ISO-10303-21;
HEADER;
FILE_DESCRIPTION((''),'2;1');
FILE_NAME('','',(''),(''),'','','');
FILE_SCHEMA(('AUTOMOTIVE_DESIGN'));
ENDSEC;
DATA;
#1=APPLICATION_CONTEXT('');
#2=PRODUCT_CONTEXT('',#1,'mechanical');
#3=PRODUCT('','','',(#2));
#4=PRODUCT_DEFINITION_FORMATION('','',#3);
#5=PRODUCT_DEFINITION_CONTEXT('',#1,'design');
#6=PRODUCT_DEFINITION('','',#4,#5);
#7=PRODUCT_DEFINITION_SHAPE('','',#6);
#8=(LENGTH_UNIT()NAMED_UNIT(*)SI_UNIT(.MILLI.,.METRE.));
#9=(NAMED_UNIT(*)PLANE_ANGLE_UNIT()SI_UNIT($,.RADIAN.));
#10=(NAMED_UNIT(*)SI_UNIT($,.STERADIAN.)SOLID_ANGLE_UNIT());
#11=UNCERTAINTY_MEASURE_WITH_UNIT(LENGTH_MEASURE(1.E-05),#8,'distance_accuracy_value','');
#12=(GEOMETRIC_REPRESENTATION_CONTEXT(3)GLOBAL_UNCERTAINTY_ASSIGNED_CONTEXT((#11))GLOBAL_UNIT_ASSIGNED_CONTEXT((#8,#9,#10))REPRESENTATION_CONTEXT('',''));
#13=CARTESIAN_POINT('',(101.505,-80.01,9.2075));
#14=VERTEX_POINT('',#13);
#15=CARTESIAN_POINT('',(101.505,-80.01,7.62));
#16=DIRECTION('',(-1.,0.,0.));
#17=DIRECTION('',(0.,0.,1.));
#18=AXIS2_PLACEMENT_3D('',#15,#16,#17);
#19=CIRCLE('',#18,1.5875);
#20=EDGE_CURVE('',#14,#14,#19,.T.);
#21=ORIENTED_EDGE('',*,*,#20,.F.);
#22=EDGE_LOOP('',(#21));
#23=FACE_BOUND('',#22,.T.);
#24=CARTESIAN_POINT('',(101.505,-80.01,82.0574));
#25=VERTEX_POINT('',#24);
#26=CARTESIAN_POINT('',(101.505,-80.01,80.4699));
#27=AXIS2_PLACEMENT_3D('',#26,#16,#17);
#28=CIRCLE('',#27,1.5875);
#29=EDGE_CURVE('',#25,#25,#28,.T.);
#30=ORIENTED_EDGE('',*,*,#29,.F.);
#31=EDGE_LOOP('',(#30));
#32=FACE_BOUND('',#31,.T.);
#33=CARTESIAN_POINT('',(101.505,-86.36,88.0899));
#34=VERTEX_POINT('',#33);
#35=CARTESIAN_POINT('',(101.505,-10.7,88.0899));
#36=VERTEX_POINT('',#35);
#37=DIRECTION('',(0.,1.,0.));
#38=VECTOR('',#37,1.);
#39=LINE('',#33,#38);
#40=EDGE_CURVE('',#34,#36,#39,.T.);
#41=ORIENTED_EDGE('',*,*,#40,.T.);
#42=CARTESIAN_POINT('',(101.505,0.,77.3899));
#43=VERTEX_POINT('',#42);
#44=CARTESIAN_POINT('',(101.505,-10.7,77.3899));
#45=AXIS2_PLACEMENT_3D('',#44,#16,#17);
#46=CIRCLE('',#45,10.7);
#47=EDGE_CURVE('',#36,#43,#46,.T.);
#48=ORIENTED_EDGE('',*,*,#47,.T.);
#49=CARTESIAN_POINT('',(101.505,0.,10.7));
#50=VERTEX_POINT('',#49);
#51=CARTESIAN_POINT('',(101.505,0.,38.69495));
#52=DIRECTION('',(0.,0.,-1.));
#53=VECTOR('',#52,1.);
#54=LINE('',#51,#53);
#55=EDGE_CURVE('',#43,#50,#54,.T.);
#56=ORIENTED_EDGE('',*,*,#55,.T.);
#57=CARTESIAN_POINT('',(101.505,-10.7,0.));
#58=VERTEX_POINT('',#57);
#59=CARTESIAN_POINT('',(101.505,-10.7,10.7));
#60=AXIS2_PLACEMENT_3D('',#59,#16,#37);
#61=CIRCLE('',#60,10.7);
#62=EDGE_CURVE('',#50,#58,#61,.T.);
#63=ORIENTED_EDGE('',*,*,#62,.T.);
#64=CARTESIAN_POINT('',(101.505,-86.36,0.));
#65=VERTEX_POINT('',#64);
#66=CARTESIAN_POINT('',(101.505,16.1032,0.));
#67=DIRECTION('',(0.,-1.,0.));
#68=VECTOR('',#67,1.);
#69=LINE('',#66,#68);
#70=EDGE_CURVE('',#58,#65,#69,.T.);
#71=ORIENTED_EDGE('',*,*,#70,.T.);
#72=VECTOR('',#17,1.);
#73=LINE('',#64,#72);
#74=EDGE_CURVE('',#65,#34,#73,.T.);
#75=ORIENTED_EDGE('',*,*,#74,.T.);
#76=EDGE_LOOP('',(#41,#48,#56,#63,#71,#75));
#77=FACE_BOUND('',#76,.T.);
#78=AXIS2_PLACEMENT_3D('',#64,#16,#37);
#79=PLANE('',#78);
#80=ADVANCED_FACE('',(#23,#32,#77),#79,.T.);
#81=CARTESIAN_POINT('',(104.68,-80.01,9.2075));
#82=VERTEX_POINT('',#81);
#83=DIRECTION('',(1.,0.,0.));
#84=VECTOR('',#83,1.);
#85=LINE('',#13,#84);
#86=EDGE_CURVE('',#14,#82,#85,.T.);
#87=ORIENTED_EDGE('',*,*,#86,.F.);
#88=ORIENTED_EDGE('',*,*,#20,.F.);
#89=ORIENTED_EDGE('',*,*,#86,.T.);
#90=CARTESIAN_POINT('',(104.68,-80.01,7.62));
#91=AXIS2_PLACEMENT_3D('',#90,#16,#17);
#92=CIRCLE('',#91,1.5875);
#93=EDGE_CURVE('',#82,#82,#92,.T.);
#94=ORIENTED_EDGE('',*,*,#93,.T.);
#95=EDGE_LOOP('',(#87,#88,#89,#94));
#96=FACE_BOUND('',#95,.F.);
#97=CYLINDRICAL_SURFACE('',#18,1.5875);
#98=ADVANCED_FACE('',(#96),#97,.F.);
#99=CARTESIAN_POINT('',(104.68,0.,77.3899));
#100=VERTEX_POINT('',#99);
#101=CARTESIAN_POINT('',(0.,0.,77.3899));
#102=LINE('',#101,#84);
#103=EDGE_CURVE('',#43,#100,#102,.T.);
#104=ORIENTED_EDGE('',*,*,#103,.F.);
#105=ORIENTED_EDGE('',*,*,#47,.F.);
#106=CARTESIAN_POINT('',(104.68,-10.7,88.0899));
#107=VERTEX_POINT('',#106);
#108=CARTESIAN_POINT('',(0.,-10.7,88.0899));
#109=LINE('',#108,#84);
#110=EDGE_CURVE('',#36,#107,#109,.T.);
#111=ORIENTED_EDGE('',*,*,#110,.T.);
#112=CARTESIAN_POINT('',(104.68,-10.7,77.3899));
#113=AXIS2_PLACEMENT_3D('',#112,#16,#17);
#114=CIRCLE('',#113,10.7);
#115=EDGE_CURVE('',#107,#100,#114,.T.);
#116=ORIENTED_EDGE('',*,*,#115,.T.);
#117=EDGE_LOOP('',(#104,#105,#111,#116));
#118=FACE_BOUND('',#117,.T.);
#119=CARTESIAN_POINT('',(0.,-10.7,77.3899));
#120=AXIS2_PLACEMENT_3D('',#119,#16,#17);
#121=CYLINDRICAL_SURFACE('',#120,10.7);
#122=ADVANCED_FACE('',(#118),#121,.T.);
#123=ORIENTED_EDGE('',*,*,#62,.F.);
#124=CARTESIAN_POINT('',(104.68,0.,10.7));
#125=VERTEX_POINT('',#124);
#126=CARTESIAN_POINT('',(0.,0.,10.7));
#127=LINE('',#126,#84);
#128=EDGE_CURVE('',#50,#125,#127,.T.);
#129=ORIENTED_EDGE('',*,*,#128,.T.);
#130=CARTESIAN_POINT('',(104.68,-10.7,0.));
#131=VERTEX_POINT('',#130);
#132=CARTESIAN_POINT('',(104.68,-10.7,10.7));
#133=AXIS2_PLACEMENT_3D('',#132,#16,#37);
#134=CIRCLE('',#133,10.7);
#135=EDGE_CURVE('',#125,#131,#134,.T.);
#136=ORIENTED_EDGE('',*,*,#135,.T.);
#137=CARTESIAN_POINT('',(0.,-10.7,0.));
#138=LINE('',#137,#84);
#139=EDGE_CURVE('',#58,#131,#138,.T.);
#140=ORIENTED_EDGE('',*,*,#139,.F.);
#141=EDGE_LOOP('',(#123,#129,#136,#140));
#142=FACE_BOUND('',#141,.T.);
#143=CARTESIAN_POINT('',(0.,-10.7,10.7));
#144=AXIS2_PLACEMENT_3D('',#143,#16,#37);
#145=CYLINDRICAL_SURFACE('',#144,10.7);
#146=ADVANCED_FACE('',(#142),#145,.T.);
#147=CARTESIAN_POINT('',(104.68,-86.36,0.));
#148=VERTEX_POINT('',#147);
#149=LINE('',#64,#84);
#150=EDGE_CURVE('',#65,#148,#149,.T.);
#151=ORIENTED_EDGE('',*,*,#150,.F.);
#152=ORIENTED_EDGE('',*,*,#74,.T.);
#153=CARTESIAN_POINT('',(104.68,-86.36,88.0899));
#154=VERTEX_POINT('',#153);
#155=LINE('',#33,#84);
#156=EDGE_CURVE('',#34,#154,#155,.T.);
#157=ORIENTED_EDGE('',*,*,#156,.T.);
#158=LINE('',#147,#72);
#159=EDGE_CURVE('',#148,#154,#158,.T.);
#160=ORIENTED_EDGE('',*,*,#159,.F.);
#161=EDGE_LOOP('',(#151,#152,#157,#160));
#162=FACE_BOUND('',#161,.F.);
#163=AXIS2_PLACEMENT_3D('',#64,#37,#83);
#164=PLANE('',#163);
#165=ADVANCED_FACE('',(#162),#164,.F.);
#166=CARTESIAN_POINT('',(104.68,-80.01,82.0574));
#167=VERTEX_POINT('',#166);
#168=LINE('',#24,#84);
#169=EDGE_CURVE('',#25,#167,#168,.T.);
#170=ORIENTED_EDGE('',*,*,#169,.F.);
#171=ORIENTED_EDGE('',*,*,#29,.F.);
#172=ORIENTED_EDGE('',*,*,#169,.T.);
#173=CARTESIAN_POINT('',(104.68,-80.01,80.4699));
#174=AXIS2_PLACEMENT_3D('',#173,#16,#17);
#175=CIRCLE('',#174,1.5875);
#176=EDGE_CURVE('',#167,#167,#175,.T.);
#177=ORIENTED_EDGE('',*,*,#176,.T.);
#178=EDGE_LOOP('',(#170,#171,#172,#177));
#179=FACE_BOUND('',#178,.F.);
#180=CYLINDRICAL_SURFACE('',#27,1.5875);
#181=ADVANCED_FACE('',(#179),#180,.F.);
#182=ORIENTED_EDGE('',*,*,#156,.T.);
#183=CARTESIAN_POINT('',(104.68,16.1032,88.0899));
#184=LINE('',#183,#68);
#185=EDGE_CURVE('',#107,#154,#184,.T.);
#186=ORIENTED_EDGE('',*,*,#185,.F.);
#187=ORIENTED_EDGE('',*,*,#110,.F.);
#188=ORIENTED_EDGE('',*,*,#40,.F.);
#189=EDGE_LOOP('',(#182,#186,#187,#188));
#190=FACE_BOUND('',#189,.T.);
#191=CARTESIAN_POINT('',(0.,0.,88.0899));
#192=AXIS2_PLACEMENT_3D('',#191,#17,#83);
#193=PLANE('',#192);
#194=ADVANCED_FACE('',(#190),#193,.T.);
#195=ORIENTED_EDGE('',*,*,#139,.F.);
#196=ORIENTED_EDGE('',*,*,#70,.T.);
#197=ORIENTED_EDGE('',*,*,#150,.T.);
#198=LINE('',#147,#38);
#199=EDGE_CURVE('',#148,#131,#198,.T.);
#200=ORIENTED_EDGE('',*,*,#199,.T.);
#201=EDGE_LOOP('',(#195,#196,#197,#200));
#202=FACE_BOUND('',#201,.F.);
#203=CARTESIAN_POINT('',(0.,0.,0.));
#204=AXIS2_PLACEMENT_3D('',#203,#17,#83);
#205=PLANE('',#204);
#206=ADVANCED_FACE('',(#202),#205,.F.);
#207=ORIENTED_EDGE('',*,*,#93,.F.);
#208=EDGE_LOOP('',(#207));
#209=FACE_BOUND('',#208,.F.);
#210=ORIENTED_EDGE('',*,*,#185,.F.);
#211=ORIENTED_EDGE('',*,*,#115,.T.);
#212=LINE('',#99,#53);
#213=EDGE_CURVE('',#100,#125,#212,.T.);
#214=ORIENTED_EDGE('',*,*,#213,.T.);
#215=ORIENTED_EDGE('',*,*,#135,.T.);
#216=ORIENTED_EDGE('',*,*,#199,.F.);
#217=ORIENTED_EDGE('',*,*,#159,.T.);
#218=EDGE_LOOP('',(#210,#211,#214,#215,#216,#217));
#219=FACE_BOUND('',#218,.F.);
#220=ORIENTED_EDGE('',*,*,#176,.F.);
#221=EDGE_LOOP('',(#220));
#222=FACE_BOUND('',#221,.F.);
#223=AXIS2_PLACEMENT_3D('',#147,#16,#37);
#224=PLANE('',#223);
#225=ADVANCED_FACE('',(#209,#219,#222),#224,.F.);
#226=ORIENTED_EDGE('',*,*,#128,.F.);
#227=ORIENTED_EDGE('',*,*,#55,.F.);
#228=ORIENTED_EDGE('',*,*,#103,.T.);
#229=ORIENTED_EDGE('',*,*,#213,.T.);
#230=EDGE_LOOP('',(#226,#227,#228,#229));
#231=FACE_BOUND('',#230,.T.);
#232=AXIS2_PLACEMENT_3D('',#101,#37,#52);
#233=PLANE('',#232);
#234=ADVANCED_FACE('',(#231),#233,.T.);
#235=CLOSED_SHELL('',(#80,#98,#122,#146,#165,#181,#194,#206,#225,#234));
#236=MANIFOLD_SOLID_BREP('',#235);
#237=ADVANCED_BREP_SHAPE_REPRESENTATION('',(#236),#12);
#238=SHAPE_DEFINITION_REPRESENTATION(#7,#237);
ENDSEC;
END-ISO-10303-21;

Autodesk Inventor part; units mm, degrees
ref_plane "YZ Plane" through (0, 0, 0) normal (1, 0, 0) x (0, 1, 0)
sketch "Sketch1" plane through (0, 0, 0) normal (0, 0, 1) x (1, 0, 0)
  line L0 (104.68, -86.36) -> (104.68, -10.7) projected
  line L1 (101.505, -86.36) -> (104.68, -86.36) projected
  line L2 (148.8666, 2) -> (0, 2) projected
  line L3 (0, 0) -> (171.285, 0) projected
  line L4 (104.68, -86.36) -> (101.505, -86.36)
  line L5 (101.505, -86.36) -> (101.505, 16.1032)
  line L6 (101.505, 16.1032) -> (104.68, 16.1032)
  line L7 (104.68, 16.1032) -> (104.68, -86.36)
  dimension "d0" = 3.175
ref_plane "Work Plane1" through (98.965, -88.9, 88.0899) normal (0, 0, -1) x (0, 1, 0)
extrude "Extrusion1" add sketch "Sketch1" along normal up to surface (88.0899 mm away)
ref_plane "Work Plane2" through (0, 0, 90.0899) normal (-1, 0, 0) x (0, 0, 1)
sketch "Sketch2" plane through (0, 0, 90.0899) normal (-1, 0, 0) x (0, 0, 1)
  arc A0 (-79.3899, 2) -> (-92.0899, -10.7) centre (-79.3899, -10.7) ccw
  line L0 (-79.3899, 2) -> (-12.7, 2)
  arc A1 (0, -10.7) -> (-12.7, 2) centre (-12.7, -10.7) ccw
  line L1 (0, -10.7) -> (0, -82.9)
  arc A2 (0, -82.9) -> (2, -84.9) centre (2, -82.9) ccw
  line L2 (2, -84.9) -> (6.985, -84.9)
  line L3 (6.985, -84.9) -> (6.985, -88.9)
  line L4 (6.985, -88.9) -> (3.5017, -88.9)
  arc A3 (2.4019, -88.265) -> (3.5017, -88.9) centre (3.5017, -87.63) ccw
  arc A4 (2.4019, -88.265) -> (0.2021, -88.265) centre (1.302, -88.9) ccw
  arc A5 (-0.8977, -88.9) -> (0.2021, -88.265) centre (-0.8977, -87.63) ccw
  line L5 (-0.8977, -88.9) -> (-2, -88.9)
  line L6 (-2, -88.9) -> (-2, -10.7)
  arc A6 (-2, -10.7) -> (-12.7, 0) centre (-12.7, -10.7) ccw
  line L7 (-12.7, 0) -> (-79.3899, 0)
  arc A7 (-79.3899, 0) -> (-90.0899, -10.7) centre (-79.3899, -10.7) ccw
  line L8 (-90.0899, -10.7) -> (-90.0899, -88.9)
  line L9 (-90.0899, -88.9) -> (-91.1922, -88.9)
  arc A8 (-92.2921, -88.265) -> (-91.1922, -88.9) centre (-91.1922, -87.63) ccw
  arc A9 (-92.2921, -88.265) -> (-94.4918, -88.265) centre (-93.3919, -88.9) ccw
  arc A10 (-95.5916, -88.9) -> (-94.4918, -88.265) centre (-95.5916, -87.63) ccw
  line L10 (-95.5916, -88.9) -> (-99.0749, -88.9)
  line L11 (-99.0749, -88.9) -> (-99.0749, -84.9)
  line L12 (-99.0749, -84.9) -> (-94.0899, -84.9)
  arc A11 (-94.0899, -84.9) -> (-92.0899, -82.9) centre (-94.0899, -82.9) ccw
  line L13 (-92.0899, -82.9) -> (-92.0899, -10.7)
  line L14 (-2, -88.9) -> (-90.0899, -88.9)
  point P0 (-90.0899, 0)
extrude "Extrusion2" cut sketch "Sketch2" against normal through all contours L8 A7 L7 A6 L6 L14 keep common part
sketch "Sketch3" plane through (101.505, -86.36, 0) normal (-1, 0, 0) x (0, 0, 1)
  line L0 (0, 0) -> (0, 75.66) projected
  line L1 (0, 0) -> (88.0899, 0) projected
  line L2 (88.0899, 75.66) -> (88.0899, 0) projected
  circle A0 centre (7.62, 6.35) radius 1.5875
  circle A1 centre (80.4699, 6.35) radius 1.5875
  line L3 (7.62, 6.35) -> (67.6256, 6.35) construction
  point P0 (0, 86.36)
  dimension "d5" = 3.175
  dimension "d6" = 3.175
  dimension "d7" = 6.35
  dimension "d9" = 7.62
  dimension "d10" = 7.62
extrude "Extrusion3" cut sketch "Sketch3" against normal through all
equation "\"d10\" = d9"
properties part number "Divider"
